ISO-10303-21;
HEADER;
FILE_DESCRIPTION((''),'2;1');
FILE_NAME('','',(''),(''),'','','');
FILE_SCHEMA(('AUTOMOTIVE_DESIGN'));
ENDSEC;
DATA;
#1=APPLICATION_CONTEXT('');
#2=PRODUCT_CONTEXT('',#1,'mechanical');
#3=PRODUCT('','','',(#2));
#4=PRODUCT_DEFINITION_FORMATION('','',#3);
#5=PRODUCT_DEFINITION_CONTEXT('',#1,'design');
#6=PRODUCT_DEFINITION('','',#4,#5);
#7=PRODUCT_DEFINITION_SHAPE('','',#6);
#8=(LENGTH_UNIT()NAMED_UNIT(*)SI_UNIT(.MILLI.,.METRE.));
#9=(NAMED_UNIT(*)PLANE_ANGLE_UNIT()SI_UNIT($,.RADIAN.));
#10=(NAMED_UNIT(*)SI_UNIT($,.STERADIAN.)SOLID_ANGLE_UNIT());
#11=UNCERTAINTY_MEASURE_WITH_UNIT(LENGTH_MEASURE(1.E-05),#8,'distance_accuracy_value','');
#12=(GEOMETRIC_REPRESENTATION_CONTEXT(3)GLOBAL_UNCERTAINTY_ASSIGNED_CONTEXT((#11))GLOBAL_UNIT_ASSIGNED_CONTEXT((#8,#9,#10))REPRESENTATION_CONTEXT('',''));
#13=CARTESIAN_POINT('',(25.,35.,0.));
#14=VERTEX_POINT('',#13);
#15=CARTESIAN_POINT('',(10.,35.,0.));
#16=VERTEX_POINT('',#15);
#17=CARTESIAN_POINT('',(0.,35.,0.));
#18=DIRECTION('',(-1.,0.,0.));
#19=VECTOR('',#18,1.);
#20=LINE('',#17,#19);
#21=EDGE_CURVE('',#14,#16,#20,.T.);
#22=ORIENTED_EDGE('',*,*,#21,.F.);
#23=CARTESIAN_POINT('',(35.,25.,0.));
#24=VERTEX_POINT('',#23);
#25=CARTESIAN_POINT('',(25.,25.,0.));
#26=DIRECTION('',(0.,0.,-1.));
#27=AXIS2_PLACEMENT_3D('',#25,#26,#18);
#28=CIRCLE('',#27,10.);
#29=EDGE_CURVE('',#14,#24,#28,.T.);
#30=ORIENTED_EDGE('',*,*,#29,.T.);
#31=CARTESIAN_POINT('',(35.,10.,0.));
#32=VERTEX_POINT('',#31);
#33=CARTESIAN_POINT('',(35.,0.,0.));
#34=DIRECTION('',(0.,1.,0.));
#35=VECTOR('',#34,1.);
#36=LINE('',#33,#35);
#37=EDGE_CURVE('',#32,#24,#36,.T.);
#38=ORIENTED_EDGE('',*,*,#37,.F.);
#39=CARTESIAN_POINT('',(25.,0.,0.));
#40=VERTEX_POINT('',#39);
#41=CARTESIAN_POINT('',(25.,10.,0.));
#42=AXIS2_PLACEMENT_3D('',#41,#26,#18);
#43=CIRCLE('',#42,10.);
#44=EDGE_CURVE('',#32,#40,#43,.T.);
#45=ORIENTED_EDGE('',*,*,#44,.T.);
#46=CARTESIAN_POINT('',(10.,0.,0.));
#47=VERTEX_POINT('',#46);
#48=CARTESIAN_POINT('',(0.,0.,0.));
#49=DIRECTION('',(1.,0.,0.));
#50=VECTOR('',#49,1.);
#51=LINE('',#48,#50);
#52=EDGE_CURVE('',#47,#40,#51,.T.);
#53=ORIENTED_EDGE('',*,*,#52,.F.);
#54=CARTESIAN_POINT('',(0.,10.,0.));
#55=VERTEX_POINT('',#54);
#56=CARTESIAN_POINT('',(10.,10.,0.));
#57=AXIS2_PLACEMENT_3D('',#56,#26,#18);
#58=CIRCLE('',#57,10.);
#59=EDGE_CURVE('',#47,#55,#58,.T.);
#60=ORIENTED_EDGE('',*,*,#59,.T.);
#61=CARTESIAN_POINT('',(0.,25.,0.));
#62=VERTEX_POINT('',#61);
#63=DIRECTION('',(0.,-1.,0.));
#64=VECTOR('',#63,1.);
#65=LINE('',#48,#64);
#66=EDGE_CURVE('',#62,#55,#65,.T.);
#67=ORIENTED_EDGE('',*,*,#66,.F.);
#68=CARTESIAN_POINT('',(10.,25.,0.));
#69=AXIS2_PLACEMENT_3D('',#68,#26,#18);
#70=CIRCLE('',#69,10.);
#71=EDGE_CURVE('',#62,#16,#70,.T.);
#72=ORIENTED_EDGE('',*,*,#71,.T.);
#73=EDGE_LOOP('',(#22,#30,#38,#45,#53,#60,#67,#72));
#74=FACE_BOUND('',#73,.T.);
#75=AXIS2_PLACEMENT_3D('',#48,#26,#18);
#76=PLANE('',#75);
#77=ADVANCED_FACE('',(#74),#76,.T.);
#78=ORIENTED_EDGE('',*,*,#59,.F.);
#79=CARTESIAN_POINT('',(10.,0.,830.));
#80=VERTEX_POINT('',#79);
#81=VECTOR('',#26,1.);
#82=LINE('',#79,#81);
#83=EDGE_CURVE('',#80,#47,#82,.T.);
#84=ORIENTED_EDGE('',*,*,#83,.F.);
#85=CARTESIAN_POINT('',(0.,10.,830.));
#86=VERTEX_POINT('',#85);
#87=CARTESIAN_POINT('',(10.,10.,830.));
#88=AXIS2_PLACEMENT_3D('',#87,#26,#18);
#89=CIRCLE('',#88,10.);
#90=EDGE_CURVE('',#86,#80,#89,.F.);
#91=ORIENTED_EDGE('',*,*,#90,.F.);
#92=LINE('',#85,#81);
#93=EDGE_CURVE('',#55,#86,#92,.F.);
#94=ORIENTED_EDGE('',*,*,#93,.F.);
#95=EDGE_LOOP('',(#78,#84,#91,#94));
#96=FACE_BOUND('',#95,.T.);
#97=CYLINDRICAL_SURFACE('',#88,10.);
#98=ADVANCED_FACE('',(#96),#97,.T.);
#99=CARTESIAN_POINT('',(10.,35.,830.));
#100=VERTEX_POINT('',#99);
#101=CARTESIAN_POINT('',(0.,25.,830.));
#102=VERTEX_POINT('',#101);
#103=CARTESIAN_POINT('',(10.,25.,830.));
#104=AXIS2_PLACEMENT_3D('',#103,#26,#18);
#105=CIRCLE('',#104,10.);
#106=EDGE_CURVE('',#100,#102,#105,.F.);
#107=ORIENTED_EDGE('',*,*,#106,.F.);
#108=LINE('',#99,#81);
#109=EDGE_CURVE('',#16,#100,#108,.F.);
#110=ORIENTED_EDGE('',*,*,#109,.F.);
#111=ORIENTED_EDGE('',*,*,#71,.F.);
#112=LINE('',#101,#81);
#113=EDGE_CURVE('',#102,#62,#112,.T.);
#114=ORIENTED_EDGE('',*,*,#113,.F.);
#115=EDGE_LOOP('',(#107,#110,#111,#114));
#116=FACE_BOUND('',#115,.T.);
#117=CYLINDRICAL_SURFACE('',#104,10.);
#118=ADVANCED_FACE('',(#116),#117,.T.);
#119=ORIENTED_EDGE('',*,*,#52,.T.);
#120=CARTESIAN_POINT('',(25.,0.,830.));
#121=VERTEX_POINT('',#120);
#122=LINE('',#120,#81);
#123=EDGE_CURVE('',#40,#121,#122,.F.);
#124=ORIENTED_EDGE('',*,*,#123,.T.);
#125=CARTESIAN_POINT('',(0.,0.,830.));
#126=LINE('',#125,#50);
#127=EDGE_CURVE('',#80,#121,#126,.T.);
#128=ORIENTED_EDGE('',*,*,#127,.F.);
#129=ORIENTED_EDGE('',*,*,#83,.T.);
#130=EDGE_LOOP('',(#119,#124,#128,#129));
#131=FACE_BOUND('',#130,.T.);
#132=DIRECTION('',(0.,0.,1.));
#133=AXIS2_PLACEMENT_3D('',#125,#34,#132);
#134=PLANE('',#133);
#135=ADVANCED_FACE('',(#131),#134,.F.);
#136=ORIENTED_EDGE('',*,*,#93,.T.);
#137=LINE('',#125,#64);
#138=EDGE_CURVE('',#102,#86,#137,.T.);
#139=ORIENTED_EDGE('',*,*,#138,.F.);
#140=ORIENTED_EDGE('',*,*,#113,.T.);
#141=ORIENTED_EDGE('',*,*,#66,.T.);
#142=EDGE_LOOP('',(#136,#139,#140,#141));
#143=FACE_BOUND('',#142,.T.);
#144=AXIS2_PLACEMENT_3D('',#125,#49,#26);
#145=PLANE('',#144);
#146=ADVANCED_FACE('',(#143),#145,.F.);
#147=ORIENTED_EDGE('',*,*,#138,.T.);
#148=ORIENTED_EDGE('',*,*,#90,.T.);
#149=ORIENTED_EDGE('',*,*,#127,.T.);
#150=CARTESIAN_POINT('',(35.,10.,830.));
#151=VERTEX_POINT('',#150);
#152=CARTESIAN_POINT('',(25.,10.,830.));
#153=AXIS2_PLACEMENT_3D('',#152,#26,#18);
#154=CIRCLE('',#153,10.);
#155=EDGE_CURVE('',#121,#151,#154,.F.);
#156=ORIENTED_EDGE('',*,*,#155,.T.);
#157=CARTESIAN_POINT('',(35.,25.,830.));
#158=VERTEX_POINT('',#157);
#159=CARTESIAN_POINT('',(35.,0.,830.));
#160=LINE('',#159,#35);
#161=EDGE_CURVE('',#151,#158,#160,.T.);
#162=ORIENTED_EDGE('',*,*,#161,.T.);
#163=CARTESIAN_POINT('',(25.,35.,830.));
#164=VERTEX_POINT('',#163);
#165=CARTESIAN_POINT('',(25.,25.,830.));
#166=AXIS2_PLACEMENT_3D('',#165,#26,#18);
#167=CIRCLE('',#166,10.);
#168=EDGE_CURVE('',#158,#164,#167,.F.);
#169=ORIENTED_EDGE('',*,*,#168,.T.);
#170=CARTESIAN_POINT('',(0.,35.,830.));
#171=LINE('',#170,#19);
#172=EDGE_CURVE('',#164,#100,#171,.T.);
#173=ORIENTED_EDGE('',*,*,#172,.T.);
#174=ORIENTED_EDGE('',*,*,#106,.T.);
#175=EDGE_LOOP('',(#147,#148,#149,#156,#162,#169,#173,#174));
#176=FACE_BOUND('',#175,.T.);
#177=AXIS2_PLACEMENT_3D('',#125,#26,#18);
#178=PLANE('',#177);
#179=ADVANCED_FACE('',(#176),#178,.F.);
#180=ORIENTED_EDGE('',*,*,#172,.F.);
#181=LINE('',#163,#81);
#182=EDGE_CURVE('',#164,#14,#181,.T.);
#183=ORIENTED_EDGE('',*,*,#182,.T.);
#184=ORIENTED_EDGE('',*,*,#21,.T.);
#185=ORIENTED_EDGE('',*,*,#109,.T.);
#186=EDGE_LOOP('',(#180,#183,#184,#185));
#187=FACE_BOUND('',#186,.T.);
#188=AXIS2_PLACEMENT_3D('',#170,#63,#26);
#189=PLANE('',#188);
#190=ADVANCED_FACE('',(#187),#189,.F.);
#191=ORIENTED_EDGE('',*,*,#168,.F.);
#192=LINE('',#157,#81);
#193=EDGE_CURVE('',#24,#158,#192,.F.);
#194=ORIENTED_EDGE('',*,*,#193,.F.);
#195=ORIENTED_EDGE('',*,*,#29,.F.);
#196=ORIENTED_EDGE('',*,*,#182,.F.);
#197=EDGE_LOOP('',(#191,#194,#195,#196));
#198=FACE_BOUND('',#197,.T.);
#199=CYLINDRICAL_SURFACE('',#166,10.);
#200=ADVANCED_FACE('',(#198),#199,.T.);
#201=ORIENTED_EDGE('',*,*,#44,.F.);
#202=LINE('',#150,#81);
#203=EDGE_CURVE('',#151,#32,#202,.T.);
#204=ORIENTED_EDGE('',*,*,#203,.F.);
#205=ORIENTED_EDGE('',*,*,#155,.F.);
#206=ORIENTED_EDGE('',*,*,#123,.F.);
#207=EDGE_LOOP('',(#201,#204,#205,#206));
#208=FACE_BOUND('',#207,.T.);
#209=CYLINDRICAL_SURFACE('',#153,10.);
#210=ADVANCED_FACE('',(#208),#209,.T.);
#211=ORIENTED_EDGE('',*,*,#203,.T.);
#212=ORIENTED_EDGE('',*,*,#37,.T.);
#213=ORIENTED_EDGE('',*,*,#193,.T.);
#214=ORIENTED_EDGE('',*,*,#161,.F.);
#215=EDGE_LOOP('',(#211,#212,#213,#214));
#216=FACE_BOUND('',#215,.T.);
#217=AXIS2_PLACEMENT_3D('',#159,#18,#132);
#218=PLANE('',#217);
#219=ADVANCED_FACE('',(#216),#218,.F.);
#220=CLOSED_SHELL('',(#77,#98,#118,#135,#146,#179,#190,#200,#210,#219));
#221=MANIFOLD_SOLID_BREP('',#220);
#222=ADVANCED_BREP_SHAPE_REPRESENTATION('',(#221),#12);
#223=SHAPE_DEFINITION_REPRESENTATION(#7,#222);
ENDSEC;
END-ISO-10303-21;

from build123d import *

# Parameters (mm, degrees)
ESBO_O1_W                = 35
ESBO_O1_H                = 35
RESSALTO_EXTRUS_O1_DEPTH = 830
FILETE1_R                = 10


with BuildPart() as part:
    # Esboço1 → Ressalto-extrusão1 (new body)
    with BuildSketch(Plane.XY):
        with Locations((17.5, 17.5)):
            Rectangle(ESBO_O1_W, ESBO_O1_H)
    extrude(amount=RESSALTO_EXTRUS_O1_DEPTH)

    # Filete1
    filete1_edges = [part.edges().sort_by_distance(p)[0] for p in [
        (0, 35, 415),
        (35, 35, 415),
        (35, 0, 415),
        (0, 0, 415),
    ]]
    fillet(filete1_edges, radius=FILETE1_R)


solid = part.part
